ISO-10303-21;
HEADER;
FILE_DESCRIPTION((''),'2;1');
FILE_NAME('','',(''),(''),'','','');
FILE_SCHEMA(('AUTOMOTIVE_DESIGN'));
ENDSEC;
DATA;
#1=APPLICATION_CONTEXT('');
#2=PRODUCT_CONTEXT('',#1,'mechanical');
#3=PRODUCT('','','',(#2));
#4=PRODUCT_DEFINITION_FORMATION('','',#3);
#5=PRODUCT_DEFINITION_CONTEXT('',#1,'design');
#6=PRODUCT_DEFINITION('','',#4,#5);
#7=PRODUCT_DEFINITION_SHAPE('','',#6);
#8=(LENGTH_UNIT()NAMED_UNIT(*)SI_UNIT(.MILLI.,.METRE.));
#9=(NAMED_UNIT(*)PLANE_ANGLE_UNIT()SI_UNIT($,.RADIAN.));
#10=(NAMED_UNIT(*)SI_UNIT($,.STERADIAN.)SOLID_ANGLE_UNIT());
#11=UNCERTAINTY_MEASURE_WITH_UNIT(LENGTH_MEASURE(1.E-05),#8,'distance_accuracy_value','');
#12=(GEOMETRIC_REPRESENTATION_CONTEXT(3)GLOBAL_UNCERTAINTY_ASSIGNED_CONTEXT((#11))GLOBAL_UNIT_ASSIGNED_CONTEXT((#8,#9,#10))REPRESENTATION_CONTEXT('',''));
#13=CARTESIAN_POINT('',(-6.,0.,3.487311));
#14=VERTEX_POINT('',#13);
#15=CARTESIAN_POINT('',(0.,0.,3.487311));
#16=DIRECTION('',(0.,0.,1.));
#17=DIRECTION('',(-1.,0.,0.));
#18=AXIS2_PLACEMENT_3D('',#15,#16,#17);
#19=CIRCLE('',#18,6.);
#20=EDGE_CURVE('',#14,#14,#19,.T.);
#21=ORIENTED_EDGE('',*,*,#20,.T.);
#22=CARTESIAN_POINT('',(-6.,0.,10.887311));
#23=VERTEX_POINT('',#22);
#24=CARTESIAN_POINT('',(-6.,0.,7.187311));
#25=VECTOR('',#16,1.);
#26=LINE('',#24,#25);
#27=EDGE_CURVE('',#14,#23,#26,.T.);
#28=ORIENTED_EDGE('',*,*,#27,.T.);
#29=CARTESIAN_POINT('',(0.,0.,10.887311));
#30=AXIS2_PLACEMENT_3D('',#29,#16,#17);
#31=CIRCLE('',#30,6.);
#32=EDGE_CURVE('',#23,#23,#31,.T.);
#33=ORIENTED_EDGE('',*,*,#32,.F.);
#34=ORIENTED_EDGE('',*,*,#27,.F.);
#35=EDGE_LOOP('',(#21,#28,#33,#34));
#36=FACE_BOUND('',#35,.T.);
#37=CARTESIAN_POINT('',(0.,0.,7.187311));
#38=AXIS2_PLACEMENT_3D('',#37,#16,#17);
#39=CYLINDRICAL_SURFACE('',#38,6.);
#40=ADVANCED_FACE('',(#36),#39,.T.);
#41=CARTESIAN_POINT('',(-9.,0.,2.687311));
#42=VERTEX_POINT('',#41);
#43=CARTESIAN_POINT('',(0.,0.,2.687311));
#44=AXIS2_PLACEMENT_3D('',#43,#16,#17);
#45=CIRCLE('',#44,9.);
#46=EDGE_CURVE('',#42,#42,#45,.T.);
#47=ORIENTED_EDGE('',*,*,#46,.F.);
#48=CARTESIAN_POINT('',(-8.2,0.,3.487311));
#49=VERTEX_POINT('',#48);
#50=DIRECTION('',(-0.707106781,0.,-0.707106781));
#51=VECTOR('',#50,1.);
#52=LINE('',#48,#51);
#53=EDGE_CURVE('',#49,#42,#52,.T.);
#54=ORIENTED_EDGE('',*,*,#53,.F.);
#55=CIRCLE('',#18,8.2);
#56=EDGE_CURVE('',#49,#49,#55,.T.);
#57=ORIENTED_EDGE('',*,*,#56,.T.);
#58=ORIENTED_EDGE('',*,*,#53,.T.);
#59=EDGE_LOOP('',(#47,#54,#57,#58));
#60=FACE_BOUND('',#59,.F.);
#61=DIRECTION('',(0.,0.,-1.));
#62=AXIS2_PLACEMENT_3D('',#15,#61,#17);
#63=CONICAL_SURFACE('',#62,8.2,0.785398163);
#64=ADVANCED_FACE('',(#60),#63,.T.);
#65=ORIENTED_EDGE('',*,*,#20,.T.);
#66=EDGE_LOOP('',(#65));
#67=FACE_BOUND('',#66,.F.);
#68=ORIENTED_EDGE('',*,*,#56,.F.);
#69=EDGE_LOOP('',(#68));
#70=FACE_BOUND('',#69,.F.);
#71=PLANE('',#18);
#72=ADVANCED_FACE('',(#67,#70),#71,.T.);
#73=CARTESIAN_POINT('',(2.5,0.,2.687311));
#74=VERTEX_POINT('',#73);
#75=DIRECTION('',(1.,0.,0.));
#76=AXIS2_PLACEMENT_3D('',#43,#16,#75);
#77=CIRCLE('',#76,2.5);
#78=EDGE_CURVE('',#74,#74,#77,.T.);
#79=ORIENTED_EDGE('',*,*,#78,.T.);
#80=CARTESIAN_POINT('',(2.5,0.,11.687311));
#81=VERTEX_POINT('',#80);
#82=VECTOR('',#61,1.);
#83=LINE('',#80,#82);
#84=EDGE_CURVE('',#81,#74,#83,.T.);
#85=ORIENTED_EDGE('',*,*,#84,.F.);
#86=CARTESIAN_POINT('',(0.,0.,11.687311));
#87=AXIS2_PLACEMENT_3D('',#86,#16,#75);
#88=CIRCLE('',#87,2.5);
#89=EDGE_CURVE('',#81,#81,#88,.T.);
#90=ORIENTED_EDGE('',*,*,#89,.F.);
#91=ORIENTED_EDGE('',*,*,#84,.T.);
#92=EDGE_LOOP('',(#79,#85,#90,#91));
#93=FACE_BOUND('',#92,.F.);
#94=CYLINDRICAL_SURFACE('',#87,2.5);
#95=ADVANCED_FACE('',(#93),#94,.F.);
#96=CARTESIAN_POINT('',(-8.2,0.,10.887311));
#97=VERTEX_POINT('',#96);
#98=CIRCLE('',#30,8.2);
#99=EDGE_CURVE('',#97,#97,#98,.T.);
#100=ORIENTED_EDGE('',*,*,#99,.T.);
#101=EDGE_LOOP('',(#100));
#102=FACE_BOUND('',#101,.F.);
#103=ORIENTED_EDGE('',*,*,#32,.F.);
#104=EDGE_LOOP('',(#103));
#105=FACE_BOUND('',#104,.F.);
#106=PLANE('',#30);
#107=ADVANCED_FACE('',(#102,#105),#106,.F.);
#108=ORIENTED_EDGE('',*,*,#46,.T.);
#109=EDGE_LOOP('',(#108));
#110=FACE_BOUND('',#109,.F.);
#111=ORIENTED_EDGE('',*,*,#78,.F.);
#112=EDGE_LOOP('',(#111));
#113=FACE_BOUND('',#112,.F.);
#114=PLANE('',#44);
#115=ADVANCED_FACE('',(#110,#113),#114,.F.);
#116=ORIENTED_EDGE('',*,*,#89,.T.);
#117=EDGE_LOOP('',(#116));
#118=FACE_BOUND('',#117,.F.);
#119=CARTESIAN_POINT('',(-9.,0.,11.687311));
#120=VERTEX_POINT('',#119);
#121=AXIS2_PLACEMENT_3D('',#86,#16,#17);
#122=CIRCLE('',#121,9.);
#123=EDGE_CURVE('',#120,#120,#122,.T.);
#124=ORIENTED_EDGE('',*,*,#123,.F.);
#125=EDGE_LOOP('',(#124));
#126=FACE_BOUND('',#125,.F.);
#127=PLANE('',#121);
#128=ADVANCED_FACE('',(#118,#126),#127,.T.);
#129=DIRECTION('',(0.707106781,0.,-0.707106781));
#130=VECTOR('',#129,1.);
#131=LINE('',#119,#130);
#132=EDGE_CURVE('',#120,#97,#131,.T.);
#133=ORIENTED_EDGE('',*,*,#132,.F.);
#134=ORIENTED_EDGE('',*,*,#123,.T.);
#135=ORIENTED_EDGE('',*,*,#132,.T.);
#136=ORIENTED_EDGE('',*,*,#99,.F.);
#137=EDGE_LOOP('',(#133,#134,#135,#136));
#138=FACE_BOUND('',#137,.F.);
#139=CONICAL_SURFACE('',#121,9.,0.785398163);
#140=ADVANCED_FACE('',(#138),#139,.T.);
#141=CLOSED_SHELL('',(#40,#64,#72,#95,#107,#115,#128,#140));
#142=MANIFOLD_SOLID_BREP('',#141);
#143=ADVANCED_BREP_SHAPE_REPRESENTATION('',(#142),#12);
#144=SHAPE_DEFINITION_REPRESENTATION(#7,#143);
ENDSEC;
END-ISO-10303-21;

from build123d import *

# Parameters (mm, degrees)
F0_W     = 6
F0_H     = 7.4
F2_R     = 2.5
F3_DEPTH = 9


with BuildPart() as f1:
    # F0 (on Front) → F1 (revolve)
    with BuildSketch(Plane.XZ):
        Polygon((0, 11.687311), (-9, 11.687311), (-8.2, 10.887311), (-6, 10.887311), (0, 10.887311), align=None)
        with Locations((-3, 7.187311)):
            Rectangle(F0_W, F0_H)
        Polygon((0, 2.687311), (0, 3.487311), (-6, 3.487311), (-8.2, 3.487311), (-9, 2.687311), align=None)
    revolve(axis=Axis((0, 0, 3.487311), (0, 0, 1)))

    # F2 (on face) → F3 (cut, through all)
    with BuildSketch(Plane.XY.offset(11.687311)):
        Circle(F2_R)
    extrude(amount=-F3_DEPTH, mode=Mode.SUBTRACT)


solid = f1.part
